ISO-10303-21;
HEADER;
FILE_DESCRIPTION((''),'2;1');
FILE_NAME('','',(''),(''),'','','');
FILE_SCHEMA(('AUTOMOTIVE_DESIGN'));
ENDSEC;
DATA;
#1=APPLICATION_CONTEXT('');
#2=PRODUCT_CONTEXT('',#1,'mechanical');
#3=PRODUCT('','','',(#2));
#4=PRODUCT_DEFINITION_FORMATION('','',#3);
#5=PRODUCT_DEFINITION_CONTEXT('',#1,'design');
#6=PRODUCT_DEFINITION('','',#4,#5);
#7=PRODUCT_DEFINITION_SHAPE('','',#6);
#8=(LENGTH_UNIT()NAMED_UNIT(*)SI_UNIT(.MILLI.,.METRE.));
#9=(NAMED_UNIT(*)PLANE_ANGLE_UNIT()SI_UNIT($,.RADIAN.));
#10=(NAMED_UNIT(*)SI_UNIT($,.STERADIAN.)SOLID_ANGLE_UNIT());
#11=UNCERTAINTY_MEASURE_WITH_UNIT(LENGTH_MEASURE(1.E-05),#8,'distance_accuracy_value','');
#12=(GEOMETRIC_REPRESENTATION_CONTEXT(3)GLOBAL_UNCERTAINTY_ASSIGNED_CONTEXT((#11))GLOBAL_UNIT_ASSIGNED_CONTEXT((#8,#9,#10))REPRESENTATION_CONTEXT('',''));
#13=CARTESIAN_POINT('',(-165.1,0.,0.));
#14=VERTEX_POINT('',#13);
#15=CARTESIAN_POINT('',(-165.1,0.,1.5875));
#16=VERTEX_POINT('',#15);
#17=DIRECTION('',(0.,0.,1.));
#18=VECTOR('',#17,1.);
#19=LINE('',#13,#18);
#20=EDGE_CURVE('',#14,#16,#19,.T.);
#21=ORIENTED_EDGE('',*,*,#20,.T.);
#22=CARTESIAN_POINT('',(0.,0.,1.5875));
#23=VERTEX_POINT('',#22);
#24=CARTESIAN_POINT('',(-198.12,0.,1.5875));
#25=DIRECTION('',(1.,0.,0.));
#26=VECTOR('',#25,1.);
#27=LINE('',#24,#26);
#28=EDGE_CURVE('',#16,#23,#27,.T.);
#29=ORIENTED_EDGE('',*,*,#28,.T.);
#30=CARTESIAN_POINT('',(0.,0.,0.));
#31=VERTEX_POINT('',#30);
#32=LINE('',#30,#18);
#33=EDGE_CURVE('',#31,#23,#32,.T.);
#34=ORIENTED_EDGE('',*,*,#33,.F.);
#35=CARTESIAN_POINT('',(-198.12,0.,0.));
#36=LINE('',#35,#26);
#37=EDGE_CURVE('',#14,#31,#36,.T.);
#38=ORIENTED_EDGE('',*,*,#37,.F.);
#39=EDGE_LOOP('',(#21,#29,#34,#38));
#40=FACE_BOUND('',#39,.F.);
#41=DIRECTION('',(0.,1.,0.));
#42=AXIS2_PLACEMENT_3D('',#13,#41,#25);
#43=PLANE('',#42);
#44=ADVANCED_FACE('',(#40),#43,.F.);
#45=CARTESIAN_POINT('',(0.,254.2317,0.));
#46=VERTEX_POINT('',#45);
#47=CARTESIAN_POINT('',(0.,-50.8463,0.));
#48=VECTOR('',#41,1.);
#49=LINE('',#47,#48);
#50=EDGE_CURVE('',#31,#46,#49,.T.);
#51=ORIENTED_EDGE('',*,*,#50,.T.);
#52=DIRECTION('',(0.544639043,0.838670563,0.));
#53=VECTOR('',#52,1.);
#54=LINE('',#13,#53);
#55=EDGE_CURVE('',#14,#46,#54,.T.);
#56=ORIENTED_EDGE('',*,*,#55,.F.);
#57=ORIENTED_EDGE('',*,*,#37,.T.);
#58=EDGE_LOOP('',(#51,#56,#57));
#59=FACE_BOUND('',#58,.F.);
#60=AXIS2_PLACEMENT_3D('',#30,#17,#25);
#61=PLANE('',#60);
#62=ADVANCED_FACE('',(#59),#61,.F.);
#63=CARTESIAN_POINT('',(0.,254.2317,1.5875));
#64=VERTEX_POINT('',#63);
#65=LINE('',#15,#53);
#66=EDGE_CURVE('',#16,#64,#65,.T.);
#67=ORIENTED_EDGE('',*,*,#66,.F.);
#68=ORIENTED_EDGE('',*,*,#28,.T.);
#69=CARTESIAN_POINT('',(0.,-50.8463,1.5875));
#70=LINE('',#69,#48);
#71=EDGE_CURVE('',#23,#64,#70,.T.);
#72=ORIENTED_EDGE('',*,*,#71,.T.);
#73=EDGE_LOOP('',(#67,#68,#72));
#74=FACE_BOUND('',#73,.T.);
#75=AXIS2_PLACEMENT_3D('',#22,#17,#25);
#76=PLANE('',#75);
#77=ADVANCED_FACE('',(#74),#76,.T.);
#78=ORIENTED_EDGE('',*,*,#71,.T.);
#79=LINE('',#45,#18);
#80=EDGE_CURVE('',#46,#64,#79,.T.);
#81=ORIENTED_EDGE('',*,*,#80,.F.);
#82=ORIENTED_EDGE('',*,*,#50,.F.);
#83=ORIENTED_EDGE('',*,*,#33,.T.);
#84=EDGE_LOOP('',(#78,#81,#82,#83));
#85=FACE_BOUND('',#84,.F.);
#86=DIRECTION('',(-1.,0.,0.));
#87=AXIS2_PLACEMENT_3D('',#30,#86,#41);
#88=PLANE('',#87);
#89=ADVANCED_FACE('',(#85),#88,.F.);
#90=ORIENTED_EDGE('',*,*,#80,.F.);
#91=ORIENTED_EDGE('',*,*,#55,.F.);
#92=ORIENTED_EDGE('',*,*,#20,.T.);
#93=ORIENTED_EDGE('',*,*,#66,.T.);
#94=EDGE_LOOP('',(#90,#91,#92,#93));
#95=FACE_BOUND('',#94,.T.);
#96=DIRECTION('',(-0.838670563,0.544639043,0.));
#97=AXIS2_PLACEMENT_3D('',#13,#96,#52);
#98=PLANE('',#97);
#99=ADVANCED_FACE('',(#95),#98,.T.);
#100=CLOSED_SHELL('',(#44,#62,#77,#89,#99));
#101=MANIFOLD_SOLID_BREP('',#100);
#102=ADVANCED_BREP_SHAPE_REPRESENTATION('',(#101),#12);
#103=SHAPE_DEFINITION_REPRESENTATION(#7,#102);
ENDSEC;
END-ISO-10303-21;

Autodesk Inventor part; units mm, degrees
ref_plane "YZ Plane" through (0, 0, 0) normal (1, 0, 0) x (0, 1, 0)
ref_plane "XZ Plane" through (0, 0, 0) normal (0, 1, 0) x (-1, 0, 0)
ref_plane "XY Plane" through (0, 0, 0) normal (0, 0, 1) x (1, 0, 0)
sketch "Sketch1" plane through (0, 0, 0) normal (0, 0, 1) x (1, 0, 0)
  line L0 (-198.12, 0) -> (33.02, 0) projected
  line L1 (0, -50.8463) -> (0, 305.078) projected
  line L2 (0, 254.2317) -> (0, 0)
  line L3 (0, 0) -> (-165.1, 0)
  line L4 (-165.1, 0) -> (0, 254.2317)
  point P0 (0, 0)
  dimension "d0" = 165.1
  dimension "d4" = 57
extrude "Extrusion1" add sketch "Sketch1" along normal blind 1.5875
properties part number "side window" material "Polycarbonate, Clear"
